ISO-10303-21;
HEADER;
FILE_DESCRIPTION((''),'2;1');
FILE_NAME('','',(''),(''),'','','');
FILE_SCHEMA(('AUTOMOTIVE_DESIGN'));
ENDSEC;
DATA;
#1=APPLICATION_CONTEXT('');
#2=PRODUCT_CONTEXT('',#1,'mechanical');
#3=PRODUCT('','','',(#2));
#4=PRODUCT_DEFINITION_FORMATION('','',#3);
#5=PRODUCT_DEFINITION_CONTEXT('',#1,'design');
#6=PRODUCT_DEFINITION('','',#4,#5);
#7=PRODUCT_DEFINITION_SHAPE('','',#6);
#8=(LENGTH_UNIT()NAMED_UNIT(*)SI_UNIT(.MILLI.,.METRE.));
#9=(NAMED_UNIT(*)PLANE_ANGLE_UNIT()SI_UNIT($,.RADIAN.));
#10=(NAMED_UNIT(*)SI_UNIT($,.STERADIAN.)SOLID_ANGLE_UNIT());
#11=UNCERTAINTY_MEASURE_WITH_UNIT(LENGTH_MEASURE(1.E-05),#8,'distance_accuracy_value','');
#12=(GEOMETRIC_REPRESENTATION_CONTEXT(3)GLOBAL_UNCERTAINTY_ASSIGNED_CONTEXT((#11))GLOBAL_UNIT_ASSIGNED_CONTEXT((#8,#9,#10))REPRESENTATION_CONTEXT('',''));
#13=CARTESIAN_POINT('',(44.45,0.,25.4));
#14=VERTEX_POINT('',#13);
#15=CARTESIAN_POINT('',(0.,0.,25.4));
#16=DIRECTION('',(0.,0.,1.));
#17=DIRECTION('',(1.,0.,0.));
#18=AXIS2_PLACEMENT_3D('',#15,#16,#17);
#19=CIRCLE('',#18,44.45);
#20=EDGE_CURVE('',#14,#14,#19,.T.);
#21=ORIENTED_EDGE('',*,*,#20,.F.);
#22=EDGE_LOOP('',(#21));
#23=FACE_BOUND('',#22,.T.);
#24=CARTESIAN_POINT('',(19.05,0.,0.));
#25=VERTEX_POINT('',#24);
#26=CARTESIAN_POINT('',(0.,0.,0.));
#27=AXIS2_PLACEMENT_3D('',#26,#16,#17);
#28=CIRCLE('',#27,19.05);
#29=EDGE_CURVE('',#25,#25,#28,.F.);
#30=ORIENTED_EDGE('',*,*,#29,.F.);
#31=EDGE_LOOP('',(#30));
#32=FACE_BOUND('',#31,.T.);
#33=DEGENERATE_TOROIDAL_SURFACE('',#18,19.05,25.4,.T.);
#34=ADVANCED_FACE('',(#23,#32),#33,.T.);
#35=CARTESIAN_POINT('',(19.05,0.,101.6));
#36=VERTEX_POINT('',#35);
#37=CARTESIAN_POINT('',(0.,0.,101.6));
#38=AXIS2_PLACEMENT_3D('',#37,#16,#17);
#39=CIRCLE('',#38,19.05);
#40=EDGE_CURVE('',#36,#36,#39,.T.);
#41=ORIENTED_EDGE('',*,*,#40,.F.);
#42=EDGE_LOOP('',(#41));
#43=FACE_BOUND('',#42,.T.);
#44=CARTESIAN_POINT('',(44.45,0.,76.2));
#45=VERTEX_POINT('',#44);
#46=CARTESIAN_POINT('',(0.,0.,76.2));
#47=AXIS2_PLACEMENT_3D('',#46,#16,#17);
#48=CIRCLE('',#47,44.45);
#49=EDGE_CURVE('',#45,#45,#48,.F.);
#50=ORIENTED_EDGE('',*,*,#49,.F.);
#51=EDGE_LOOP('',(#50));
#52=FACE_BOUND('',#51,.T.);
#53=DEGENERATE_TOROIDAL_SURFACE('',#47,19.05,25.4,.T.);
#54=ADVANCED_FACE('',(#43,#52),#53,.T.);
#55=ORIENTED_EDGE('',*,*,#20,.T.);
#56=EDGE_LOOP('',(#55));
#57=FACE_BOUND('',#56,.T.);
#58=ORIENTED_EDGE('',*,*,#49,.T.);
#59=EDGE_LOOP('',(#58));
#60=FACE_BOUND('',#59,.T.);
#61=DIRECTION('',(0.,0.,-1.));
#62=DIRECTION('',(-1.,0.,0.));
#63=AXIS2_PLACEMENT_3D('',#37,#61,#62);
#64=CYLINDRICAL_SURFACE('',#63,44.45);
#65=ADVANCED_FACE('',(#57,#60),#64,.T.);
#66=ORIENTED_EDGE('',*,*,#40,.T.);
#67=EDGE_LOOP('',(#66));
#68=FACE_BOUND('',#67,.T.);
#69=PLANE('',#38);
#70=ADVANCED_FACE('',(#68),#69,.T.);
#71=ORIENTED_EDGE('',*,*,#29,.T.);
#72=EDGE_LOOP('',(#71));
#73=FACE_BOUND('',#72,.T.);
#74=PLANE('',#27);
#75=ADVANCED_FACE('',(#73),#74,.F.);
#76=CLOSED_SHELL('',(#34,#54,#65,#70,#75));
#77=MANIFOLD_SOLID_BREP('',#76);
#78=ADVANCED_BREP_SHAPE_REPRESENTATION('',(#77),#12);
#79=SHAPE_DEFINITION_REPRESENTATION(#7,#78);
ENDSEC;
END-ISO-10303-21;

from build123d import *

# Parameters (mm, degrees)
ESQUISSE1_R        = 44.45
BOSS_EXTRU_1_DEPTH = 101.6
CONG_1_R           = 25.4


with BuildPart() as part:
    # Esquisse1 → Boss.-Extru.1 (new body)
    with BuildSketch(Plane.XY):
        Circle(ESQUISSE1_R)
    extrude(amount=BOSS_EXTRU_1_DEPTH)

    # Congé1
    cong_1_edges = [part.edges().sort_by_distance(p)[0] for p in [
        (-44.45, 0, 0),
        (-44.45, 0, 101.6),
    ]]
    fillet(cong_1_edges, radius=CONG_1_R)


solid = part.part
